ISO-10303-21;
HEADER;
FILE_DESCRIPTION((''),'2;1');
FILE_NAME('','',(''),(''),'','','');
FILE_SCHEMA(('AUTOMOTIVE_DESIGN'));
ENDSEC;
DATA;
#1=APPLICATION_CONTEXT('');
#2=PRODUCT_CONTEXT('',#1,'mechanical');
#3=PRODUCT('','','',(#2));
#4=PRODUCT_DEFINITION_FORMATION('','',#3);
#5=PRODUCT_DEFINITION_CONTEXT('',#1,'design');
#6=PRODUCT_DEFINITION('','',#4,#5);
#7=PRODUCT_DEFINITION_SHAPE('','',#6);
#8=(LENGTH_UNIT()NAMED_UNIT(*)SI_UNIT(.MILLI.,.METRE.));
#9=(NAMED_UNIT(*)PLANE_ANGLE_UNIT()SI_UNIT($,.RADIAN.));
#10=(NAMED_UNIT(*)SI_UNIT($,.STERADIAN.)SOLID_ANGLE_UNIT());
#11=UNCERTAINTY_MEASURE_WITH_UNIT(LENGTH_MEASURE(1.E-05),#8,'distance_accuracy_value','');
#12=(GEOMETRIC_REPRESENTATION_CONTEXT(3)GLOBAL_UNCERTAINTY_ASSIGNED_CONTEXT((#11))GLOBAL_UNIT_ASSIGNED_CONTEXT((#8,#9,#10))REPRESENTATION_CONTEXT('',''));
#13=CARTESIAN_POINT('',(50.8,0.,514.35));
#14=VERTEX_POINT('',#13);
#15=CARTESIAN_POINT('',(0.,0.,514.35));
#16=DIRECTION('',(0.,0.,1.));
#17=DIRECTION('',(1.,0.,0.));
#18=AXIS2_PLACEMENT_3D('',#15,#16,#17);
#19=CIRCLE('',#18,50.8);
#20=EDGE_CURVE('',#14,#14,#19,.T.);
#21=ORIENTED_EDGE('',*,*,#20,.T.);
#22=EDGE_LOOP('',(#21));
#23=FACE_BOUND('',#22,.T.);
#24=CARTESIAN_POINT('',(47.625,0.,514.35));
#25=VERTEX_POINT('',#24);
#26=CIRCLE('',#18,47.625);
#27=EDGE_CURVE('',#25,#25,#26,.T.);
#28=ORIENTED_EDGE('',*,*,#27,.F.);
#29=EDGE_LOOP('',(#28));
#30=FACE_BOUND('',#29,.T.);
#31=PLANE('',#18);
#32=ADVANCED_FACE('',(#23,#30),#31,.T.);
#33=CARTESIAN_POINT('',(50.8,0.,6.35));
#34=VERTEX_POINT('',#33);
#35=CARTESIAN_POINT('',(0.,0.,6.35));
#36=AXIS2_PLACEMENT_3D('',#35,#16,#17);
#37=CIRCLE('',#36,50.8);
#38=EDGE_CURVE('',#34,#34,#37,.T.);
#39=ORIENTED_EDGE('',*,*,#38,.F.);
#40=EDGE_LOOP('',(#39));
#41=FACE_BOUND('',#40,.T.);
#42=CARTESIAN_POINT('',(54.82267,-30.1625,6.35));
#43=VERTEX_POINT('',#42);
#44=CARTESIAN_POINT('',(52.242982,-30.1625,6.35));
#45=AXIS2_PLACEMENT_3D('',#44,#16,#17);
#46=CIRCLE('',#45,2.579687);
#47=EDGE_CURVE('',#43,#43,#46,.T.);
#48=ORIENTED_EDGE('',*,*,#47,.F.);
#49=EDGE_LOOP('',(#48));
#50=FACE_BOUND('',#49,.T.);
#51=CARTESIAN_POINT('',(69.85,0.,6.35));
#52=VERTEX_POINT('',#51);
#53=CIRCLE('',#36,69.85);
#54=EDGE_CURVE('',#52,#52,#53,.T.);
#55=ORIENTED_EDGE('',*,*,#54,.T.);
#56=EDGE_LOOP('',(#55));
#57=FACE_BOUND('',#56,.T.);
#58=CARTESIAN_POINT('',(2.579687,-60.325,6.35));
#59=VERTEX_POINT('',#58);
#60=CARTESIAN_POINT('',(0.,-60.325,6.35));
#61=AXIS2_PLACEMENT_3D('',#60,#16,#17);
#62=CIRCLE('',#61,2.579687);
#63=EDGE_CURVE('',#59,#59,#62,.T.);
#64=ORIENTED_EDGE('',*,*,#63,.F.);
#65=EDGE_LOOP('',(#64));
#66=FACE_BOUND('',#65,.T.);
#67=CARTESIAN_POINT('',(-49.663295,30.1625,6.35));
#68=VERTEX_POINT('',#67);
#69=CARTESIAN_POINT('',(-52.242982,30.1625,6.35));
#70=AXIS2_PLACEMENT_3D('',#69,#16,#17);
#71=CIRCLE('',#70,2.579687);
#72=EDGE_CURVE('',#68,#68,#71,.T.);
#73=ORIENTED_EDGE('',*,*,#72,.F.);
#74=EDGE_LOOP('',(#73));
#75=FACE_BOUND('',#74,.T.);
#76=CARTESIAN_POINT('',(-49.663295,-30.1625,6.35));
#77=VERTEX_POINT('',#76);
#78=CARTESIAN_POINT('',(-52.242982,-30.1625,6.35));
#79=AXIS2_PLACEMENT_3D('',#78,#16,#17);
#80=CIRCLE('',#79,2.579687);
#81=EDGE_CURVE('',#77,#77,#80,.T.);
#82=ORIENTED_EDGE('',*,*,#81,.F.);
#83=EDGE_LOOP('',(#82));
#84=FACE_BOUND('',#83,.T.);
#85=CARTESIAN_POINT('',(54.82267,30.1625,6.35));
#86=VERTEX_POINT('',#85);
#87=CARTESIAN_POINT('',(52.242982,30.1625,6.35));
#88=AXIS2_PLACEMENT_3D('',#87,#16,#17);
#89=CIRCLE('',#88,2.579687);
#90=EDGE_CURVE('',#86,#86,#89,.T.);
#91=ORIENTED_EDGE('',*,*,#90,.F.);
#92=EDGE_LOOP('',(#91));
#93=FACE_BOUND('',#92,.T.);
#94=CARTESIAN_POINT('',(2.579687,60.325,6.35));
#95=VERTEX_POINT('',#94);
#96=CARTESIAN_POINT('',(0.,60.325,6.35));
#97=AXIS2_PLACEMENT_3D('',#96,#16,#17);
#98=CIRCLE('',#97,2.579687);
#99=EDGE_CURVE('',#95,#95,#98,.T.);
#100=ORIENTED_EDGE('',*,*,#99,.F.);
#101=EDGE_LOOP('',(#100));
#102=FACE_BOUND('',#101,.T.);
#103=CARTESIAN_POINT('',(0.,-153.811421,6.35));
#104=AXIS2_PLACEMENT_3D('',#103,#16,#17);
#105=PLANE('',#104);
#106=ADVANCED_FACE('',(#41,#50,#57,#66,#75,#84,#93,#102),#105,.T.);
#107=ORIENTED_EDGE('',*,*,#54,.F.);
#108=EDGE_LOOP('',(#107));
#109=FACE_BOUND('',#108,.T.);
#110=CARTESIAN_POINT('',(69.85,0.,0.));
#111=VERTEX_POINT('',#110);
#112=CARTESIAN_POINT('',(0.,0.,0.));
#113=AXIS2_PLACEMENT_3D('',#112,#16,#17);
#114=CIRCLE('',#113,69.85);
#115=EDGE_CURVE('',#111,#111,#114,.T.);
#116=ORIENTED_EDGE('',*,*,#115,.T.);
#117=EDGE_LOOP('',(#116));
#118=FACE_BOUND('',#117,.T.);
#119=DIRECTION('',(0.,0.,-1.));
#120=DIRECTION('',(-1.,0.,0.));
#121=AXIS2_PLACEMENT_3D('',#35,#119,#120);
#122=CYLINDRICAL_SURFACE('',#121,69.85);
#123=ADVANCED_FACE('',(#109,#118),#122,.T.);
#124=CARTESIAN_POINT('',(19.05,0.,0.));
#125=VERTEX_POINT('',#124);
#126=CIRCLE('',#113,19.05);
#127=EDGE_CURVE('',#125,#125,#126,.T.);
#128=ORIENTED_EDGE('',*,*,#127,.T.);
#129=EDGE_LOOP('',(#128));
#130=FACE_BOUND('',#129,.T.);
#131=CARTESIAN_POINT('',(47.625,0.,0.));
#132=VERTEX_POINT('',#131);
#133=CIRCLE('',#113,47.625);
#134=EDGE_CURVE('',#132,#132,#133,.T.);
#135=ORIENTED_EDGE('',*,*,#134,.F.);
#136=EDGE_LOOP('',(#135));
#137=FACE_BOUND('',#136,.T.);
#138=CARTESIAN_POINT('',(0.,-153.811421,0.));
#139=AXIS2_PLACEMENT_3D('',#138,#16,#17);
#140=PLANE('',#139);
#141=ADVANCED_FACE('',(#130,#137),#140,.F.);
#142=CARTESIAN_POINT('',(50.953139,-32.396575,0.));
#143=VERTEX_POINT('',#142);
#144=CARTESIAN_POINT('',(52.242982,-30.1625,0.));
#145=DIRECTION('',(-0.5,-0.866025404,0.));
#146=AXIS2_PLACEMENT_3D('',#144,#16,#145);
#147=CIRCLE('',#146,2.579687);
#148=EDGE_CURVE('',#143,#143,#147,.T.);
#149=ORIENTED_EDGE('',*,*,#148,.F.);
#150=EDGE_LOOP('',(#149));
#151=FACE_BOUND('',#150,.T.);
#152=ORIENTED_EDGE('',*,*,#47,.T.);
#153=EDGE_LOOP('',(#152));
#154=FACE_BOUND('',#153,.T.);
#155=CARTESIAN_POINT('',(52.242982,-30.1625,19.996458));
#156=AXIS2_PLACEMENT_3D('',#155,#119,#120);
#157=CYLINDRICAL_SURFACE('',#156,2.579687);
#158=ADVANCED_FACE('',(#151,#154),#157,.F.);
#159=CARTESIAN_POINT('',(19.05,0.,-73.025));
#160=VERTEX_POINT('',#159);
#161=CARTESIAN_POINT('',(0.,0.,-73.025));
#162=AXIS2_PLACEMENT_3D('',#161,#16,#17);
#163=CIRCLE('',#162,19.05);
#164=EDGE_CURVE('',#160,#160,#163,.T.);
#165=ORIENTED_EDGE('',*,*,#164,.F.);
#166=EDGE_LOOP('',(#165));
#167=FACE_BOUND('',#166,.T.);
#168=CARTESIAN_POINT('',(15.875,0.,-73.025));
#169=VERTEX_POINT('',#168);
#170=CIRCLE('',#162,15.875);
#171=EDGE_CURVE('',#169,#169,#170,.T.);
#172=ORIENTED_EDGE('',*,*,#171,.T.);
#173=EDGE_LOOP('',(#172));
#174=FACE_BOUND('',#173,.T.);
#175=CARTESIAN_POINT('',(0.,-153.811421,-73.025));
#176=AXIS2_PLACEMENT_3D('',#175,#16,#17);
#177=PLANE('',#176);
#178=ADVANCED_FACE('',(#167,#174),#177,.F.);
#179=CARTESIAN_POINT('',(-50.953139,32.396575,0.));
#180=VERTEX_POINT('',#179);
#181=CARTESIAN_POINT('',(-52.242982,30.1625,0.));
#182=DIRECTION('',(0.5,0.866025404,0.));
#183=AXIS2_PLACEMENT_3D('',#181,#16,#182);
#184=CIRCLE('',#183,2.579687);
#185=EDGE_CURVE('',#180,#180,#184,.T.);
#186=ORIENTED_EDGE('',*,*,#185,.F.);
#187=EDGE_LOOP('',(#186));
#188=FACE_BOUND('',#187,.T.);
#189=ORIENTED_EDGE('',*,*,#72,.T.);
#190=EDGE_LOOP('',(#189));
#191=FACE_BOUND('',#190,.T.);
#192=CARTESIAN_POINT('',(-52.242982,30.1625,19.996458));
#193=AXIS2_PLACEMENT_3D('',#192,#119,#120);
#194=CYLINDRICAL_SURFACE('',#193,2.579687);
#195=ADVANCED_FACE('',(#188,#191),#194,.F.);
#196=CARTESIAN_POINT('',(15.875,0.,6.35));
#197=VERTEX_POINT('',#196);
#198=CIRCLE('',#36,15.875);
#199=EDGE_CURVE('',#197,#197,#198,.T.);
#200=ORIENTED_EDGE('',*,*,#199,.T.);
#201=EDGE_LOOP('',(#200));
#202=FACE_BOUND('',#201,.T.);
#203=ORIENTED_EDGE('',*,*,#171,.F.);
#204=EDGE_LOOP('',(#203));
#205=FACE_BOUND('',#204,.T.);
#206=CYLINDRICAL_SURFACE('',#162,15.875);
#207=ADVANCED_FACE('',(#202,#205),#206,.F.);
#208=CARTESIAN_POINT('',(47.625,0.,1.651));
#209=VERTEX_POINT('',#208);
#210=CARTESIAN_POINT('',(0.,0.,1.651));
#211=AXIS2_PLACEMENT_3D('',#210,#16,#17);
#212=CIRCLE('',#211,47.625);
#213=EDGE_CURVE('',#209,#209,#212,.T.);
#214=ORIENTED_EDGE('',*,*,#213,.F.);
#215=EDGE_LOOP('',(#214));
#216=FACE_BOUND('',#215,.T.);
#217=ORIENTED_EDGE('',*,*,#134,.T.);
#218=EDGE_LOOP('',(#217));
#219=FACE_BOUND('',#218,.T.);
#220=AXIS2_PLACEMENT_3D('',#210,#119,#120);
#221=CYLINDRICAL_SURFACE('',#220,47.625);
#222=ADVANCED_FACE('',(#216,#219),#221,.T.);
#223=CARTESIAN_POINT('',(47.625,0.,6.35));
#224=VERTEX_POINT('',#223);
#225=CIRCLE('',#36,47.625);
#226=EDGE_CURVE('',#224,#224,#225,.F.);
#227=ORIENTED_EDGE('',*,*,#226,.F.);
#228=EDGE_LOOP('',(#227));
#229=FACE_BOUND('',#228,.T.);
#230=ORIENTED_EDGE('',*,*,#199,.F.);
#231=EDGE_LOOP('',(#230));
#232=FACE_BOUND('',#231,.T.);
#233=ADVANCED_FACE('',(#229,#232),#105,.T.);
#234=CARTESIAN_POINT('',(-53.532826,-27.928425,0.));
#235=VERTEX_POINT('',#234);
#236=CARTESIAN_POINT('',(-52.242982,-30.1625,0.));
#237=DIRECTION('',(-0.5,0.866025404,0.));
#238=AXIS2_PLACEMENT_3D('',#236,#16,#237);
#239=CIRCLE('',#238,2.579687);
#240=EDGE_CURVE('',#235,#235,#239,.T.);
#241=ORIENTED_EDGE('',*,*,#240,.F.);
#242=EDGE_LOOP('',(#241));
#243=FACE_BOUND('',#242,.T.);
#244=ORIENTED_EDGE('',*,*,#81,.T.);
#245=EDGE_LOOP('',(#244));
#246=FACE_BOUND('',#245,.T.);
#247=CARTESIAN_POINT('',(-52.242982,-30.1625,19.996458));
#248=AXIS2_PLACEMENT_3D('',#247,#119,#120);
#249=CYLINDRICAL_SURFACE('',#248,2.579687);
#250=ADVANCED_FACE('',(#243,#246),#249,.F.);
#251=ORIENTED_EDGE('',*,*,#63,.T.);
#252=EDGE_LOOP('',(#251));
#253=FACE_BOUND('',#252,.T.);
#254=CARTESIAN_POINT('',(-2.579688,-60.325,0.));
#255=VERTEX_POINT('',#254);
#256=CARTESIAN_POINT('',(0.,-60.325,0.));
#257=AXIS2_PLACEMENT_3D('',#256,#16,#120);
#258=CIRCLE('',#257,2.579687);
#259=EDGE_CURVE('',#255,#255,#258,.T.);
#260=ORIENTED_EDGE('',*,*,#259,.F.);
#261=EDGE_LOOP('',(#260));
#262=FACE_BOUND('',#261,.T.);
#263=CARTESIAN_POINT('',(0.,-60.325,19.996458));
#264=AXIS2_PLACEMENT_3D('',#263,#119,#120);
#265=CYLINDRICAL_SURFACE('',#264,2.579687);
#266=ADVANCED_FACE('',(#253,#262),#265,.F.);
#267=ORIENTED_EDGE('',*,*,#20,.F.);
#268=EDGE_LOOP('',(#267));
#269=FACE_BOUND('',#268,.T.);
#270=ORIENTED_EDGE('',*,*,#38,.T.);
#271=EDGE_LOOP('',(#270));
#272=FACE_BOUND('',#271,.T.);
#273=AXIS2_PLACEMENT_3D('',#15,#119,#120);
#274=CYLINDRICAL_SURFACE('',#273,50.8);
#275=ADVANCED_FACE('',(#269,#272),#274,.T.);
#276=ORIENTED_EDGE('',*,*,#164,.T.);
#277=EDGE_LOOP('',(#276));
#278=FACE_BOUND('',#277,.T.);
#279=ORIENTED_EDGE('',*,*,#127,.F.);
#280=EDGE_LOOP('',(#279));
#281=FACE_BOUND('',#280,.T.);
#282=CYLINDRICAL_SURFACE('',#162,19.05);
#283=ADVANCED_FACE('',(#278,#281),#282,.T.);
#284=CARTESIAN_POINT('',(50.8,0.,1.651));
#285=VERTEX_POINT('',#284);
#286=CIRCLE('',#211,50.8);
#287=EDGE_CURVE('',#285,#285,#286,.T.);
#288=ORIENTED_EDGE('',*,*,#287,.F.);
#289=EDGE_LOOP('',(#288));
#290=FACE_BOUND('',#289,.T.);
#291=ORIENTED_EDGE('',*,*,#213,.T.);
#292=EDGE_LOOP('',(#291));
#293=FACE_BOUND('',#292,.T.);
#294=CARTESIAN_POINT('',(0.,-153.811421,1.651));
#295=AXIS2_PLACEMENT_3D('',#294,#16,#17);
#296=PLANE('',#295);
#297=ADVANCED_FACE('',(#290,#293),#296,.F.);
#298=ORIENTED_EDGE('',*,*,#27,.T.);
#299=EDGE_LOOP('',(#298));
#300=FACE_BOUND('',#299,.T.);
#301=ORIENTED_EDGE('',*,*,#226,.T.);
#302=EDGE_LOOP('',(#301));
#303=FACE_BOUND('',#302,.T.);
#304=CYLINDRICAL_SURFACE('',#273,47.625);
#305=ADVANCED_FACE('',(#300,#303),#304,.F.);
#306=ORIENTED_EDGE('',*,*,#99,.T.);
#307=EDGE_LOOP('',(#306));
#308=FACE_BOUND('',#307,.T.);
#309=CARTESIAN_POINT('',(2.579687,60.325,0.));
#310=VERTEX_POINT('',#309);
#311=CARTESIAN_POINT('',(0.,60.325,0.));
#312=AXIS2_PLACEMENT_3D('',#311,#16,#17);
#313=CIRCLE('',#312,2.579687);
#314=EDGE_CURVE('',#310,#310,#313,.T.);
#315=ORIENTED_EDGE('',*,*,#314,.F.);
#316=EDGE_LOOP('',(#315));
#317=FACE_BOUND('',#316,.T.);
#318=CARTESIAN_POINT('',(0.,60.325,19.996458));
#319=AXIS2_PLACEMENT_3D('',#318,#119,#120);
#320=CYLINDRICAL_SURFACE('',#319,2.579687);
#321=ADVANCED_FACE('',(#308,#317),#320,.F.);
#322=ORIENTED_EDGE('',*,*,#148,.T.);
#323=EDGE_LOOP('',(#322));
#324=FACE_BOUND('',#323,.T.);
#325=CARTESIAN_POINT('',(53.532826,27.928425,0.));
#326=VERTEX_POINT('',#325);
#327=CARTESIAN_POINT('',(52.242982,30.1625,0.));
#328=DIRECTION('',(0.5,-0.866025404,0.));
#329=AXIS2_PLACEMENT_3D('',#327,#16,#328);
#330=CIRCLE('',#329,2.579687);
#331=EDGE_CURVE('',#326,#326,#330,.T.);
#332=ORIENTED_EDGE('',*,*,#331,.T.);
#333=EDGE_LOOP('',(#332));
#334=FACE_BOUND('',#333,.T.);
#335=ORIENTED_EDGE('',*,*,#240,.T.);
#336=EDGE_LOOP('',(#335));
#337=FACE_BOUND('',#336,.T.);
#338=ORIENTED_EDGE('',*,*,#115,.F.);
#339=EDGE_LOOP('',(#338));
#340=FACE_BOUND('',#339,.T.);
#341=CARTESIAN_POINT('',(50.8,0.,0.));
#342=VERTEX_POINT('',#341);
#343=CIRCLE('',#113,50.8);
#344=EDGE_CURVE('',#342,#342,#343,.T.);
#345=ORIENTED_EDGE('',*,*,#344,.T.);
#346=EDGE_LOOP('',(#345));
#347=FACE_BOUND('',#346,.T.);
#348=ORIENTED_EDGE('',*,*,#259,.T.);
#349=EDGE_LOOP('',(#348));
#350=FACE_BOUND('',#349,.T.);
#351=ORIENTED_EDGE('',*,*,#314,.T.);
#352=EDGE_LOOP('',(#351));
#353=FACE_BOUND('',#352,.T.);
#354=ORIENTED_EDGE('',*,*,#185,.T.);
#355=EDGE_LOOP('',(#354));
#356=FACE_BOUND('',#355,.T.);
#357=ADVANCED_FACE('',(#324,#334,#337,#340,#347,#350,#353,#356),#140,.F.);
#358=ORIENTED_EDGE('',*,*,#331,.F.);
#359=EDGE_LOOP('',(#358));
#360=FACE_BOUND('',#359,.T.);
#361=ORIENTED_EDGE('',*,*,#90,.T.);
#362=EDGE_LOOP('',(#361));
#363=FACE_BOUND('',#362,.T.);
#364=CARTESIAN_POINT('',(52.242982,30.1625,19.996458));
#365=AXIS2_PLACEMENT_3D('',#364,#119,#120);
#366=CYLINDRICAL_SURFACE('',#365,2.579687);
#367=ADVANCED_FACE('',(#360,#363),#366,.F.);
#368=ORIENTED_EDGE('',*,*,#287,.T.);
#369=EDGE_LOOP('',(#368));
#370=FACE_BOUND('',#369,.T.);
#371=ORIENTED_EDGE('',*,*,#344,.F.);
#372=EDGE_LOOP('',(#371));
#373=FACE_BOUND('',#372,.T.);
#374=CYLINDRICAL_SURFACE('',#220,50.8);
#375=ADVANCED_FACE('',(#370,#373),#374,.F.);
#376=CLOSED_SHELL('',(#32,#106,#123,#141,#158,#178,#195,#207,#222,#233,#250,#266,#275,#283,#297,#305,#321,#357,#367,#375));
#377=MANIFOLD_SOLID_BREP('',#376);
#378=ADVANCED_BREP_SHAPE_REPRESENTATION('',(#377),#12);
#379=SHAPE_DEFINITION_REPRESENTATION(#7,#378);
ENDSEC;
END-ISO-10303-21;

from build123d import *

# Parameters (mm, degrees)
SKETCH1_R            = 19.05
SKETCH1_R_2          = 15.875
EXTRUDE1_DEPTH       = 6.35
EXTRUDE1_DEPTH_BACK  = 73.025
SKETCH1_4_R          = 47.625
SKETCH1_4_R_2        = 19.05
EXTRUDE3_DEPTH       = 6.35
SKETCH1_6_R          = 69.85
SKETCH1_6_R_2        = 50.8
SKETCH1_6_R_3        = 2.5796875
EXTRUDE5_DEPTH       = 6.35
SKETCH1_9_R          = 50.8
SKETCH1_9_R_2        = 47.625
EXTRUDE8_DEPTH       = 5.08
SKETCH1_10_R         = 50.8
SKETCH1_10_R_2       = 47.625
CUT_EXTRUDE1_DEPTH   = 1.651
SKETCH1_13_R         = 2.5796875
EXTRUDE9_DEPTH       = 6.35
SKETCH1_14_R         = 2.5796875
CUT_EXTRUDE5_DEPTH   = 6.35
CIRPATTERN1_COUNT    = 6
SKETCH5_R            = 50.8
SKETCH5_R_2          = 47.625
EXTRUDE11_DEPTH      = 508
EXTRUDE11_DEPTH_BACK = 1.651


with BuildPart() as part:
    # Sketch1 → Extrude1 (new body, two sides)
    with BuildSketch(Plane.XY) as extrude1_sk:
        Circle(SKETCH1_R)
        Circle(SKETCH1_R_2, mode=Mode.SUBTRACT)
    extrude(amount=EXTRUDE1_DEPTH)
    extrude(extrude1_sk.sketch, amount=-EXTRUDE1_DEPTH_BACK)

    # Sketch1_4 → Extrude3 (add)
    with BuildSketch(Plane.XY):
        Circle(SKETCH1_4_R)
        Circle(SKETCH1_4_R_2, mode=Mode.SUBTRACT)
    extrude(amount=EXTRUDE3_DEPTH)



with BuildPart() as body_2:
    # Sketch1_6 → Extrude5 (new body)
    with BuildSketch(Plane.XY):
        Circle(SKETCH1_6_R)
        Circle(SKETCH1_6_R_2, mode=Mode.SUBTRACT)
        with Locations((0, 60.325)):
            Circle(SKETCH1_6_R_3, mode=Mode.SUBTRACT)
    extrude(amount=EXTRUDE5_DEPTH)


with BuildPart() as part_1:
    add(part.part)

    add(body_2.part)  # Extrude8 merges body 2
    # Sketch1_9 → Extrude8 (add)
    with BuildSketch(Plane.XY):
        Circle(SKETCH1_9_R)
        Circle(SKETCH1_9_R_2, mode=Mode.SUBTRACT)
    extrude(amount=EXTRUDE8_DEPTH)

    # Sketch1_10 → Cut-Extrude1 (cut)
    with BuildSketch(Plane.XY):
        Circle(SKETCH1_10_R)
        Circle(SKETCH1_10_R_2, mode=Mode.SUBTRACT)
    extrude(amount=CUT_EXTRUDE1_DEPTH, mode=Mode.SUBTRACT)

    # Sketch1_13 → Extrude9 (add)
    with BuildSketch(Plane.XY):
        with Locations((0, 60.325)):
            Circle(SKETCH1_13_R)
    extrude(amount=EXTRUDE9_DEPTH)

    # Sketch1_14 → Cut-Extrude5 (cut)
    with BuildSketch(Plane.XY):
        with Locations((0, 60.325)):
            Circle(SKETCH1_14_R)
    cut_extrude5 = extrude(amount=CUT_EXTRUDE5_DEPTH, mode=Mode.SUBTRACT)

    # CirPattern1: Cut-Extrude5 ×6 about axis
    cirpattern1_axis = Axis((0, 0, 0), (0, 0, 1))
    for i in range(1, CIRPATTERN1_COUNT):
        add(cut_extrude5.rotate(cirpattern1_axis, i * 360 / CIRPATTERN1_COUNT), mode=Mode.SUBTRACT)

    # Sketch5 → Extrude11 (add, two sides)
    with BuildSketch(Plane.XY.offset(6.35)) as extrude11_sk:
        Circle(SKETCH5_R)
        Circle(SKETCH5_R_2, mode=Mode.SUBTRACT)
    extrude(amount=EXTRUDE11_DEPTH)
    extrude(extrude11_sk.sketch, amount=-EXTRUDE11_DEPTH_BACK)


solid = part_1.part
